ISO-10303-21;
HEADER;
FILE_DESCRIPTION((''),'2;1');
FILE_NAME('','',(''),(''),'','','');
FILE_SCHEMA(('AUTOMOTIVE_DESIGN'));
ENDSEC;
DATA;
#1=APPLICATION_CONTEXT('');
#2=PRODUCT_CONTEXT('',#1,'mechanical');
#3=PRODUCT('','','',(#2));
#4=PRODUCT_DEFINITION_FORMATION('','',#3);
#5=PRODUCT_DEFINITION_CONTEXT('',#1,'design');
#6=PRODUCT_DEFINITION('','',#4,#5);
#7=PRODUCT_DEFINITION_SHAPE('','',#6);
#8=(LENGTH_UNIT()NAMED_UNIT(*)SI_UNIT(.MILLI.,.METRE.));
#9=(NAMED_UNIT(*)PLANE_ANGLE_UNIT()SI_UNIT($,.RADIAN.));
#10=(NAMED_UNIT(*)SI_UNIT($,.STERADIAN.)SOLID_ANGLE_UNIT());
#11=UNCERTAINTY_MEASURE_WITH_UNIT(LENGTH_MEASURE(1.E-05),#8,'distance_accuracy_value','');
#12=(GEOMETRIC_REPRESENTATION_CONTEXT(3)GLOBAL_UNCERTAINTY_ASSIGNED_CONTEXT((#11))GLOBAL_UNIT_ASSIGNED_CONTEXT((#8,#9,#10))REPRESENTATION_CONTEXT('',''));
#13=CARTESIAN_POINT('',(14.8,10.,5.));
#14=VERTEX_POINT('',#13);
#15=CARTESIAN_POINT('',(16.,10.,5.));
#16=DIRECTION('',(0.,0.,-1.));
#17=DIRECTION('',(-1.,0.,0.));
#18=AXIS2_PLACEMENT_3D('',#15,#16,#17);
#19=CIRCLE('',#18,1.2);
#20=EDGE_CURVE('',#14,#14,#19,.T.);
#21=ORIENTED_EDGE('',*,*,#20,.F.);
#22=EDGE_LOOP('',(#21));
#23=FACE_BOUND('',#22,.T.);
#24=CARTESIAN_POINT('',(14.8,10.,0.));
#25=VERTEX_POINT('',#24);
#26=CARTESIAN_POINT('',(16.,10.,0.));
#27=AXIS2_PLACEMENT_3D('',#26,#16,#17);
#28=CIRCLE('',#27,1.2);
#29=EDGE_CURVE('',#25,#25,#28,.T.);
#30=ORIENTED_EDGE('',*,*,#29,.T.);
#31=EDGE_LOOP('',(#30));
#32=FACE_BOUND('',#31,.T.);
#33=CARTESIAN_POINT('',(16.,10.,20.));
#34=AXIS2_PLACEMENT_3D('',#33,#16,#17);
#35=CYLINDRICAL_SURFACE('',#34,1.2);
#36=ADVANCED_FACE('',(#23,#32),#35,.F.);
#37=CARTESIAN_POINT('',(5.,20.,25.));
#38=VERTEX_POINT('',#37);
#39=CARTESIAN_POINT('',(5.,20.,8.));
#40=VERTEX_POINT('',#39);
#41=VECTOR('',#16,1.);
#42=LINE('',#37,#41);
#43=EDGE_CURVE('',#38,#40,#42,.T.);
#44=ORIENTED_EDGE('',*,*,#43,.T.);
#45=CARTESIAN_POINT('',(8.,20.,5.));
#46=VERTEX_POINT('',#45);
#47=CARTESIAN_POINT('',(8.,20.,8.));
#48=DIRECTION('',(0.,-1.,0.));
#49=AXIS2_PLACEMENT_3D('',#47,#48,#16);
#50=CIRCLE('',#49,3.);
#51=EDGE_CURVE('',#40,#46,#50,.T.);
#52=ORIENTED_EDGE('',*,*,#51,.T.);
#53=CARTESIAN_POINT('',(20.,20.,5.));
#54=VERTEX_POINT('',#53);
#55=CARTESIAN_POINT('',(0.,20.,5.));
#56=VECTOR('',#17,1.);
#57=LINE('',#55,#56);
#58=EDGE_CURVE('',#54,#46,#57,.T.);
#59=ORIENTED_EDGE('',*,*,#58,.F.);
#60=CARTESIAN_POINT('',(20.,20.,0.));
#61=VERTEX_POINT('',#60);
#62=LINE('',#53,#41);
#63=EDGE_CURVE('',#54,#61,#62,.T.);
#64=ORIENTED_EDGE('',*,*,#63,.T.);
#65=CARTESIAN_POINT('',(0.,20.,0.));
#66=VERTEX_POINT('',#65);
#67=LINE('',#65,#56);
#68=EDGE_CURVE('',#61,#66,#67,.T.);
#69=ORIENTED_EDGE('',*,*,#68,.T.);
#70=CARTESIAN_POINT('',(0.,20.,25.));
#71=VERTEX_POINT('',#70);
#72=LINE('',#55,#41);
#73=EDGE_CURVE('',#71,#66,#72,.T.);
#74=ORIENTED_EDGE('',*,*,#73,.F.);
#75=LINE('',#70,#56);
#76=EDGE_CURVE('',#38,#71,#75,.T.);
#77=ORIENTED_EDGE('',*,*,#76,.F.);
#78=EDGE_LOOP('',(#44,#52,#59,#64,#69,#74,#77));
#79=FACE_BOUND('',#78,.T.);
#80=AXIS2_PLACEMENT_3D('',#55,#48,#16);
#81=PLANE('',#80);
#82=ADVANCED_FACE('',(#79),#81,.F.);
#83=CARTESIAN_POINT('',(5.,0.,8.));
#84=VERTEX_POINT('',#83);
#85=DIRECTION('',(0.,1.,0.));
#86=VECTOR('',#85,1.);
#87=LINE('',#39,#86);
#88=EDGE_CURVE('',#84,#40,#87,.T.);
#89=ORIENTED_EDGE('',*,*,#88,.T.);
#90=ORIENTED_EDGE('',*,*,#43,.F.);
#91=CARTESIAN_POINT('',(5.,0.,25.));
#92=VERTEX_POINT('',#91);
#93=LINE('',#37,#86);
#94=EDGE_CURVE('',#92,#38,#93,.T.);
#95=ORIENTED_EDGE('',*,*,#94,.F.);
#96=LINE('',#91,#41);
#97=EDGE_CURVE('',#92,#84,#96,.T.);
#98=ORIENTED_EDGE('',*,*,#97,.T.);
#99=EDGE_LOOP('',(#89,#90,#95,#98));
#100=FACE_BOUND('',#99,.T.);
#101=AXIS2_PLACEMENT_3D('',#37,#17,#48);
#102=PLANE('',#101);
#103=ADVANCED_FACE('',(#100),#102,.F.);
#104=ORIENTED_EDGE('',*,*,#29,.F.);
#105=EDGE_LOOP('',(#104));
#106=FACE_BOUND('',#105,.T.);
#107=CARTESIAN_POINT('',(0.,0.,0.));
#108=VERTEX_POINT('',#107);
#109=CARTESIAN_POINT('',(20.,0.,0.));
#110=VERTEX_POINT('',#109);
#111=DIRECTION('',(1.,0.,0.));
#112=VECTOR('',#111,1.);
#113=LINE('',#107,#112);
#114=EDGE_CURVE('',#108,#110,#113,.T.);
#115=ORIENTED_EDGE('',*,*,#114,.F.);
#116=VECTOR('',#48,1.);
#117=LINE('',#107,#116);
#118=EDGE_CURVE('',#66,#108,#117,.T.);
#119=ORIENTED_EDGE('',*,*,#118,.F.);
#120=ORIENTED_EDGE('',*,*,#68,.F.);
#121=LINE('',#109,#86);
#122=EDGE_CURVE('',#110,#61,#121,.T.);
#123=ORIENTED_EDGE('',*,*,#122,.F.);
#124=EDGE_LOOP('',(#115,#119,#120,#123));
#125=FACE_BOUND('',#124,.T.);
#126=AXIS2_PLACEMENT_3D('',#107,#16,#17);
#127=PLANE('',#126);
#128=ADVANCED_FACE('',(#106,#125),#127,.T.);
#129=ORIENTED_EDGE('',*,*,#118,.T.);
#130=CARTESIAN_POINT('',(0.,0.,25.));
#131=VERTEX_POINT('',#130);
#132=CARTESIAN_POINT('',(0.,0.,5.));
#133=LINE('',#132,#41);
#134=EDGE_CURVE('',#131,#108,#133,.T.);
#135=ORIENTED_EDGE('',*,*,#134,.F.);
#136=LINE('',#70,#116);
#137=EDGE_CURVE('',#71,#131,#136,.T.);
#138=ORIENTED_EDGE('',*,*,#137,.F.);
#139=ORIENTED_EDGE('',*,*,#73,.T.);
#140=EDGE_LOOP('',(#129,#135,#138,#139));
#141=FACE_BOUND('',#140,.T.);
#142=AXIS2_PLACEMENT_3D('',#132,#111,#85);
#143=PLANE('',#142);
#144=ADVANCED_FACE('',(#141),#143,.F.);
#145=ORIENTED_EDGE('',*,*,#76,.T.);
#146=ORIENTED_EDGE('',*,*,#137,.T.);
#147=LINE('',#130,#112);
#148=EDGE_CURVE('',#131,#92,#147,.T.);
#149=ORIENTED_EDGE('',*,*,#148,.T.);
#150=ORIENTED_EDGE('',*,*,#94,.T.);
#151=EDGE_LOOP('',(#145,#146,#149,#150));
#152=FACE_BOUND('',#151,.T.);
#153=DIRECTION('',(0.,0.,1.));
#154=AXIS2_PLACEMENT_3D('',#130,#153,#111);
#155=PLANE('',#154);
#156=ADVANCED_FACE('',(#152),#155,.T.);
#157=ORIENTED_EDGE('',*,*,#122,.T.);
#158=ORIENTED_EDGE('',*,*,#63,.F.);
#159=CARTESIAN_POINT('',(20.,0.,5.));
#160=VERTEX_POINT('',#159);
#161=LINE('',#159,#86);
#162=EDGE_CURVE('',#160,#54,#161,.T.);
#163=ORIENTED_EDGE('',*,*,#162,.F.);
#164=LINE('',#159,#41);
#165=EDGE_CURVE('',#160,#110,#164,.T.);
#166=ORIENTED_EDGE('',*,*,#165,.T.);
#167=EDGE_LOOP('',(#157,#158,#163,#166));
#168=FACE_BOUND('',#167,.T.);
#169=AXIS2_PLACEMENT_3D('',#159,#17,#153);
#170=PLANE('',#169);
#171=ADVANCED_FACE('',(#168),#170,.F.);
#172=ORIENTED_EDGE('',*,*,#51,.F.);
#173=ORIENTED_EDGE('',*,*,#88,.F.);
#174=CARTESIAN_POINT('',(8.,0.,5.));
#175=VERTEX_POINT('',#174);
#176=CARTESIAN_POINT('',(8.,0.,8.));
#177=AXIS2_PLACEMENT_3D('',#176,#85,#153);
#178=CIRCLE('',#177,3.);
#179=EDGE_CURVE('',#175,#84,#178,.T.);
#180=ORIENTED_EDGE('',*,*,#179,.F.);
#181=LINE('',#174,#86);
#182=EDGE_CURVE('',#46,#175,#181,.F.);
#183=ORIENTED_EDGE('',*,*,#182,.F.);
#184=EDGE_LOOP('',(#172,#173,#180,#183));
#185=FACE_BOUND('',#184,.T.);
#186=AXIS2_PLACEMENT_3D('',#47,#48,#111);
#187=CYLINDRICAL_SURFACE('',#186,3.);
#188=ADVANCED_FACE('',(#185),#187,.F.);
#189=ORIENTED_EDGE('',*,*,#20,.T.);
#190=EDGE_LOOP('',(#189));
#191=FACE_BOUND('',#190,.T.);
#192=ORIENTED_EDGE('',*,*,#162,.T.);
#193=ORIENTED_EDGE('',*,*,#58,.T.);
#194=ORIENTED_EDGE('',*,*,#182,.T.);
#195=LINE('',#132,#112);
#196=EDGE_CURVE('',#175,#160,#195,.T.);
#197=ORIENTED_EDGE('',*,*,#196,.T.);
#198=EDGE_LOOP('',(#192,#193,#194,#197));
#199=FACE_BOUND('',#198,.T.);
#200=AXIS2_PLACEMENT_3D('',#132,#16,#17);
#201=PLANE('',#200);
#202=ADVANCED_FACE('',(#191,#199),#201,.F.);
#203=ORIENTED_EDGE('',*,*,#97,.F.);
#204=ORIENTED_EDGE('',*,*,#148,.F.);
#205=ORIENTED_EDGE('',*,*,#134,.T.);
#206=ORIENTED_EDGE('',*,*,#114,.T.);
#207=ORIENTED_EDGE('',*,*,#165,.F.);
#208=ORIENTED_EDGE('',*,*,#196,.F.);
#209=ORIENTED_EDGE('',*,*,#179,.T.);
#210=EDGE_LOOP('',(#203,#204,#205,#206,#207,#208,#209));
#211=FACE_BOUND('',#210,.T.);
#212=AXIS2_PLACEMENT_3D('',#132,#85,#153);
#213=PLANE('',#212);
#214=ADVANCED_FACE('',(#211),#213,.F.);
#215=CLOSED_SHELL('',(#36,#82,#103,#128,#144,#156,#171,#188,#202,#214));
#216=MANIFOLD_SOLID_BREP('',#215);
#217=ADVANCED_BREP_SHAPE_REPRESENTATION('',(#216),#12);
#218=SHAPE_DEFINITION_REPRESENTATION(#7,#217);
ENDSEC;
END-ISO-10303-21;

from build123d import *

# Parameters (mm, degrees)
SKETCH1_W           = 20
SKETCH1_H           = 20
BOSS_EXTRUDE1_DEPTH = 5
SKETCH2_W           = 5
SKETCH2_H           = 20
BOSS_EXTRUDE2_DEPTH = 20
FILLET1_R           = 3
SKETCH3_R           = 1.2
CUT_EXTRUDE1_DEPTH  = 20


with BuildPart() as part:
    # Sketch1 → Boss-Extrude1 (new body)
    with BuildSketch(Plane.XY):
        with Locations((10, 10)):
            Rectangle(SKETCH1_W, SKETCH1_H)
    extrude(amount=BOSS_EXTRUDE1_DEPTH)

    # Sketch2 → Boss-Extrude2 (add)
    with BuildSketch(Plane.XY.offset(5)):
        with Locations((2.5, 10)):
            Rectangle(SKETCH2_W, SKETCH2_H)
    extrude(amount=BOSS_EXTRUDE2_DEPTH)

    # Fillet1
    fillet1_edges = [part.edges().sort_by_distance(p)[0] for p in [
        (5, 10, 5),
    ]]
    fillet(fillet1_edges, radius=FILLET1_R)

    # Sketch3 → Cut-Extrude1 (cut)
    with BuildSketch(Plane(origin=(0, 0, 0), x_dir=(-1, 0, 0), z_dir=(0, 0, -1))):
        with Locations((-16, 10)):
            Circle(SKETCH3_R)
    extrude(amount=-CUT_EXTRUDE1_DEPTH, mode=Mode.SUBTRACT)


solid = part.part
